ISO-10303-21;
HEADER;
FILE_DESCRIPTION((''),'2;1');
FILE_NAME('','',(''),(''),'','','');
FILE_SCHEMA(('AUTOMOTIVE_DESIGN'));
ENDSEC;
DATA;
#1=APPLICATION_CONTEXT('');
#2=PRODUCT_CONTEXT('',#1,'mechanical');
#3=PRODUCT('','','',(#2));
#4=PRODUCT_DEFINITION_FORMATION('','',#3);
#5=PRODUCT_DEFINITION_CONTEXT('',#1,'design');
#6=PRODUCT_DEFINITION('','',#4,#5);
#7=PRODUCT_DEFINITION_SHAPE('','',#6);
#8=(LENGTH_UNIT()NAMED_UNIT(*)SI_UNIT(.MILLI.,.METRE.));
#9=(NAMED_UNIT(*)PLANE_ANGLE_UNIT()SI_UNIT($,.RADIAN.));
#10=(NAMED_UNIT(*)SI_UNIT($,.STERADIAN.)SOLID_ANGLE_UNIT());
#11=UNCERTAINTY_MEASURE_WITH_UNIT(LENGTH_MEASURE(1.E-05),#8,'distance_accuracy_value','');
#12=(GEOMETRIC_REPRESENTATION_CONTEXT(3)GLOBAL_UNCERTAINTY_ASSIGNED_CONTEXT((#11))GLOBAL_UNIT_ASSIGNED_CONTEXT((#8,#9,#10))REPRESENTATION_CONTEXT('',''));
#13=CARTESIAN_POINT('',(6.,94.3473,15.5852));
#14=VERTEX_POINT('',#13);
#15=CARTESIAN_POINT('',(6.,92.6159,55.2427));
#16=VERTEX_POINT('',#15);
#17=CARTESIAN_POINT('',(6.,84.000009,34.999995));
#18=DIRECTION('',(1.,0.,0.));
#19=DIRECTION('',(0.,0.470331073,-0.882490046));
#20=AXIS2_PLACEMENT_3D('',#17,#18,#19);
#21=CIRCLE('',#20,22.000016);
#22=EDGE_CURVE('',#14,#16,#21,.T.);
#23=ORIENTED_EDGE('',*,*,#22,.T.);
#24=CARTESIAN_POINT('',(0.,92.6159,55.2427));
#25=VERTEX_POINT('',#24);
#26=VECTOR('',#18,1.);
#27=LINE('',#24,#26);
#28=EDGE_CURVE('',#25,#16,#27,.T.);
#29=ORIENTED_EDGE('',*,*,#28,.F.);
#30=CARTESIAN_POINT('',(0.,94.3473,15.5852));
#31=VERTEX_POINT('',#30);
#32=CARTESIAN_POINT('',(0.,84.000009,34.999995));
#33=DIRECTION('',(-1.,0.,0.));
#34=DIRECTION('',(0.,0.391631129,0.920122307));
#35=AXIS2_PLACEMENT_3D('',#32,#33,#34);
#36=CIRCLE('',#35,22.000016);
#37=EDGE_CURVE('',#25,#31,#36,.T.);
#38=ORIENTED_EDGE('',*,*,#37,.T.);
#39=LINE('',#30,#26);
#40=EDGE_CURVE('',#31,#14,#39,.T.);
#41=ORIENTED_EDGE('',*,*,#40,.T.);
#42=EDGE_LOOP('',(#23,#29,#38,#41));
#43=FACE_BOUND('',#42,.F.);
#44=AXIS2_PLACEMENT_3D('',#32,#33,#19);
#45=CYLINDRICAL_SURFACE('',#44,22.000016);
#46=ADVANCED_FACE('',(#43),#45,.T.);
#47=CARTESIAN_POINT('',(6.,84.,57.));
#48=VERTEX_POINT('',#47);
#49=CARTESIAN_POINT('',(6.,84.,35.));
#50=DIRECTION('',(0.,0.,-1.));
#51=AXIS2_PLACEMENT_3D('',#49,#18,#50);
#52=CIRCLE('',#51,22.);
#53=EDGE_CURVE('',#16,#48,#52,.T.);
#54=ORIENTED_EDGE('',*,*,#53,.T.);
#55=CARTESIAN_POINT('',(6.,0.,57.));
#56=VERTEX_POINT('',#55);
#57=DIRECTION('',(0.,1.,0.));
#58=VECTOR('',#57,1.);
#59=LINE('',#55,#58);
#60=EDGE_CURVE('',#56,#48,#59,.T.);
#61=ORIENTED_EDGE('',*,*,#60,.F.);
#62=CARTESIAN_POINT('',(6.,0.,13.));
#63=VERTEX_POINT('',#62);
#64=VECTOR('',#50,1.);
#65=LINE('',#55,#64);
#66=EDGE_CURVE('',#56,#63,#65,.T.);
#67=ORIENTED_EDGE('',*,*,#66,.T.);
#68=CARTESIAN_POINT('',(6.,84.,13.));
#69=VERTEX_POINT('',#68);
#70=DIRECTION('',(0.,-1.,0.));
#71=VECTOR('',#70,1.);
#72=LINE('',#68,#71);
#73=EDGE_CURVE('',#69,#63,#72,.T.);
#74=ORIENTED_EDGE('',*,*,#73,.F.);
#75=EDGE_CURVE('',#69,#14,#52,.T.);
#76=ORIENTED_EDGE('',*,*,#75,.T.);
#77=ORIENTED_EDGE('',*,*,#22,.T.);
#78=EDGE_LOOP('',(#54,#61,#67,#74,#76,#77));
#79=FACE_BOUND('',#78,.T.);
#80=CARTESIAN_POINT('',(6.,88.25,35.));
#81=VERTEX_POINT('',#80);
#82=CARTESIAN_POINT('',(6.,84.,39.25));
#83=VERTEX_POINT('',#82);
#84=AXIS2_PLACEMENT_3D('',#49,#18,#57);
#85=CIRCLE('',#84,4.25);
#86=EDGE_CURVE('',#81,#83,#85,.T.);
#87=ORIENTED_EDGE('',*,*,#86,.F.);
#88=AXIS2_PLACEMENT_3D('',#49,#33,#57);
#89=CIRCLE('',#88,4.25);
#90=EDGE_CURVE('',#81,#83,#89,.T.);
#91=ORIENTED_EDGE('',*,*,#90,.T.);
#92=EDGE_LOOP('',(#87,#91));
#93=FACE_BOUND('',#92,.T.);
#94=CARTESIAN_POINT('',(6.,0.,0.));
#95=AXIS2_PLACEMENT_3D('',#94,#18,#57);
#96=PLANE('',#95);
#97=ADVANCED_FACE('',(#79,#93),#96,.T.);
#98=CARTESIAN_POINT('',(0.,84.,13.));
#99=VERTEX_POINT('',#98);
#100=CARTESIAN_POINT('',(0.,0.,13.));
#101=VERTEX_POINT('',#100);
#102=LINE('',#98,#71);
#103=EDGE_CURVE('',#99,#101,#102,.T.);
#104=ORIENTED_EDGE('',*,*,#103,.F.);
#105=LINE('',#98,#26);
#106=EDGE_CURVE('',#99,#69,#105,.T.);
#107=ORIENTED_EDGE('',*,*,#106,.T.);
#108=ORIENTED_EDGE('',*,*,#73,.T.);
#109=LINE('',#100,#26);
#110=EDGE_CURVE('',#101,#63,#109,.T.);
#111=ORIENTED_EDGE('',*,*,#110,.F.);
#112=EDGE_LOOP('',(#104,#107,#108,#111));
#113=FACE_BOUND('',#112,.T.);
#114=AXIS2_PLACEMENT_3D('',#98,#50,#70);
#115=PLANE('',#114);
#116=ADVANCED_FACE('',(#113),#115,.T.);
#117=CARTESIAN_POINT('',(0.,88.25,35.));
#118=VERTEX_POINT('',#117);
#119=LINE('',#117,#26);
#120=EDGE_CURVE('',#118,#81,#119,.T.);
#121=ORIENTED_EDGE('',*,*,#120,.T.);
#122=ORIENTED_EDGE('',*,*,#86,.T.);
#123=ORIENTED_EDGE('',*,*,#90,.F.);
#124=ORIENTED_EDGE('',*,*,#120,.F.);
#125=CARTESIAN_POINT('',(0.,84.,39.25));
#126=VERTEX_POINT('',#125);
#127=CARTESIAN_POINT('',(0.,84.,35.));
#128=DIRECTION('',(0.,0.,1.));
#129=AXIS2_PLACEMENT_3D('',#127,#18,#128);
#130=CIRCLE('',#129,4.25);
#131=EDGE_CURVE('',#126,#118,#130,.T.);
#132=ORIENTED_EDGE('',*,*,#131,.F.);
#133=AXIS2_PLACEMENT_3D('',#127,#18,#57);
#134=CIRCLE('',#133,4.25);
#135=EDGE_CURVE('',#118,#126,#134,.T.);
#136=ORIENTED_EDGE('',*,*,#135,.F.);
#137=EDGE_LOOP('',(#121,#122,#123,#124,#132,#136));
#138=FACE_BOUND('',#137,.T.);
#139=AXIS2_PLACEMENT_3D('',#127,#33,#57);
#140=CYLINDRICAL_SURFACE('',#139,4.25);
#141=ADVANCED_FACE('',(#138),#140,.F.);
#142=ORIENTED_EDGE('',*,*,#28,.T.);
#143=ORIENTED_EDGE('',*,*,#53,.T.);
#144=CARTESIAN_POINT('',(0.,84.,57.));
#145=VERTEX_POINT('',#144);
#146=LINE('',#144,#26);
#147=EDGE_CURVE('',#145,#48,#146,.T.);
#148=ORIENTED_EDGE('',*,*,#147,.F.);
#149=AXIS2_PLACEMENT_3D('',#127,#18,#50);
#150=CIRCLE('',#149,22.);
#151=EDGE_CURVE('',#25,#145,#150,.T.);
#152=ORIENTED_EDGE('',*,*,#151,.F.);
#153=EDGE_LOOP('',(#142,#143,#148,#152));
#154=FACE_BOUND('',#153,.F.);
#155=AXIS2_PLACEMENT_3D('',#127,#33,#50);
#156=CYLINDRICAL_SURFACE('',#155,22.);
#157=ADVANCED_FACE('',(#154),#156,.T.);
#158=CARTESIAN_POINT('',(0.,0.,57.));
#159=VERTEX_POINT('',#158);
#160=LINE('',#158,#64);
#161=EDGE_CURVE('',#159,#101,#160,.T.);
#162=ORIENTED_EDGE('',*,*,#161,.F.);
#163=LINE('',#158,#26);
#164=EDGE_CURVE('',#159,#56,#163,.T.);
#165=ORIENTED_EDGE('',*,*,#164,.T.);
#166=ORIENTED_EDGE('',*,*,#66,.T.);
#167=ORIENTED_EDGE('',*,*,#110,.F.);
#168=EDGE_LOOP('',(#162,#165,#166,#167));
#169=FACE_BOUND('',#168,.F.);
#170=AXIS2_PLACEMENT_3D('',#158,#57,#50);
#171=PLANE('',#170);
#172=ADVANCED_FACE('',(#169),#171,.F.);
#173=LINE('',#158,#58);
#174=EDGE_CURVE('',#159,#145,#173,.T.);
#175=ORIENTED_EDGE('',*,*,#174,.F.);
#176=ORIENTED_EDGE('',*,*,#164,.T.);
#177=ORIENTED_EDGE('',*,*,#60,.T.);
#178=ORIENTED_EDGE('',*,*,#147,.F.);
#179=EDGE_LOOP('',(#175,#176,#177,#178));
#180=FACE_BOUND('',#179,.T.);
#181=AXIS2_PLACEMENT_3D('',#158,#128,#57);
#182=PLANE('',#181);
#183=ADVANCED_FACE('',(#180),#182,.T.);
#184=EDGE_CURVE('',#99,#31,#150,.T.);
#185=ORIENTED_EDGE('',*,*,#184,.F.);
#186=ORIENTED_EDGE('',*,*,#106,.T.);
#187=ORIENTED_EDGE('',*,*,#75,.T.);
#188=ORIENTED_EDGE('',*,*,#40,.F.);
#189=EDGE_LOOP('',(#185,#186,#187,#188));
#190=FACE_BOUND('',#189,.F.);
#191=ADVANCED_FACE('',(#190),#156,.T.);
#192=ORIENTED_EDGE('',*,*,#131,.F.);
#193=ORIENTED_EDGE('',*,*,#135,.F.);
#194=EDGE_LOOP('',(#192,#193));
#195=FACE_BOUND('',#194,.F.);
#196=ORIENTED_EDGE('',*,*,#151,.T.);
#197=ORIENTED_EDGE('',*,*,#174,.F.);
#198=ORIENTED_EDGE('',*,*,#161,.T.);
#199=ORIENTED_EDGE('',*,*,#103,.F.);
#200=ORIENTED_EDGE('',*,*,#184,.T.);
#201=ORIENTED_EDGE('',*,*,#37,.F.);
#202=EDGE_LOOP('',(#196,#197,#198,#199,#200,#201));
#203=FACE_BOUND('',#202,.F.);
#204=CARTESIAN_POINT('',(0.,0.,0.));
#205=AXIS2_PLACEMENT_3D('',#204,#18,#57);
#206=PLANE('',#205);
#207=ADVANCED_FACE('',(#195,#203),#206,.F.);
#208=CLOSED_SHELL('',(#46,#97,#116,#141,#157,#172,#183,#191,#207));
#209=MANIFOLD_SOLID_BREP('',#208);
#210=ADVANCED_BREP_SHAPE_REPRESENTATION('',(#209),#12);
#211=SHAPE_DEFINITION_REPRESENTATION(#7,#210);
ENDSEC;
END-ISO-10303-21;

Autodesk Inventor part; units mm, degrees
ref_plane "YZ Plane" through (0, 0, 0) normal (1, 0, 0) x (0, 1, 0)
ref_plane "XZ Plane" through (0, 0, 0) normal (0, 1, 0) x (-1, 0, 0)
ref_plane "XY Plane" through (0, 0, 0) normal (0, 0, 1) x (1, 0, 0)
sketch "Sketch3" plane through (0, 0, 0) normal (1, 0, 0) x (0, 1, 0)
  line L0 (0, 57) -> (0, 13)
  circle A0 centre (84, 35) radius 4.25
  line L1 (84, 35) -> (56.36, 35)
  line L2 (96, 53.4391) -> (92.6159, 55.2427)
  arc A1 (94.3473, 15.5852) -> (92.6159, 55.2427) centre (84, 35) ccw
  line L3 (84, 35) -> (71.3, 35)
  arc A2 (84, 13) -> (84, 57) centre (84, 35) ccw
  line L4 (84, 35) -> (84, 57)
  line L5 (0, 57) -> (84, 57)
  line L6 (84, 13) -> (0, 13)
  point P0 (0, 0)
  point P1 (84, 10.0705)
  point P2 (74.9172, 64.6754)
  dimension "d31" = 8.5
  dimension "d33" = 27.64
  dimension "d35" = 12.7
  dimension "d41" = 84
extrude "Extrusion3" add sketch "Sketch3" along normal blind 6
properties part number "Suporte Motor"
